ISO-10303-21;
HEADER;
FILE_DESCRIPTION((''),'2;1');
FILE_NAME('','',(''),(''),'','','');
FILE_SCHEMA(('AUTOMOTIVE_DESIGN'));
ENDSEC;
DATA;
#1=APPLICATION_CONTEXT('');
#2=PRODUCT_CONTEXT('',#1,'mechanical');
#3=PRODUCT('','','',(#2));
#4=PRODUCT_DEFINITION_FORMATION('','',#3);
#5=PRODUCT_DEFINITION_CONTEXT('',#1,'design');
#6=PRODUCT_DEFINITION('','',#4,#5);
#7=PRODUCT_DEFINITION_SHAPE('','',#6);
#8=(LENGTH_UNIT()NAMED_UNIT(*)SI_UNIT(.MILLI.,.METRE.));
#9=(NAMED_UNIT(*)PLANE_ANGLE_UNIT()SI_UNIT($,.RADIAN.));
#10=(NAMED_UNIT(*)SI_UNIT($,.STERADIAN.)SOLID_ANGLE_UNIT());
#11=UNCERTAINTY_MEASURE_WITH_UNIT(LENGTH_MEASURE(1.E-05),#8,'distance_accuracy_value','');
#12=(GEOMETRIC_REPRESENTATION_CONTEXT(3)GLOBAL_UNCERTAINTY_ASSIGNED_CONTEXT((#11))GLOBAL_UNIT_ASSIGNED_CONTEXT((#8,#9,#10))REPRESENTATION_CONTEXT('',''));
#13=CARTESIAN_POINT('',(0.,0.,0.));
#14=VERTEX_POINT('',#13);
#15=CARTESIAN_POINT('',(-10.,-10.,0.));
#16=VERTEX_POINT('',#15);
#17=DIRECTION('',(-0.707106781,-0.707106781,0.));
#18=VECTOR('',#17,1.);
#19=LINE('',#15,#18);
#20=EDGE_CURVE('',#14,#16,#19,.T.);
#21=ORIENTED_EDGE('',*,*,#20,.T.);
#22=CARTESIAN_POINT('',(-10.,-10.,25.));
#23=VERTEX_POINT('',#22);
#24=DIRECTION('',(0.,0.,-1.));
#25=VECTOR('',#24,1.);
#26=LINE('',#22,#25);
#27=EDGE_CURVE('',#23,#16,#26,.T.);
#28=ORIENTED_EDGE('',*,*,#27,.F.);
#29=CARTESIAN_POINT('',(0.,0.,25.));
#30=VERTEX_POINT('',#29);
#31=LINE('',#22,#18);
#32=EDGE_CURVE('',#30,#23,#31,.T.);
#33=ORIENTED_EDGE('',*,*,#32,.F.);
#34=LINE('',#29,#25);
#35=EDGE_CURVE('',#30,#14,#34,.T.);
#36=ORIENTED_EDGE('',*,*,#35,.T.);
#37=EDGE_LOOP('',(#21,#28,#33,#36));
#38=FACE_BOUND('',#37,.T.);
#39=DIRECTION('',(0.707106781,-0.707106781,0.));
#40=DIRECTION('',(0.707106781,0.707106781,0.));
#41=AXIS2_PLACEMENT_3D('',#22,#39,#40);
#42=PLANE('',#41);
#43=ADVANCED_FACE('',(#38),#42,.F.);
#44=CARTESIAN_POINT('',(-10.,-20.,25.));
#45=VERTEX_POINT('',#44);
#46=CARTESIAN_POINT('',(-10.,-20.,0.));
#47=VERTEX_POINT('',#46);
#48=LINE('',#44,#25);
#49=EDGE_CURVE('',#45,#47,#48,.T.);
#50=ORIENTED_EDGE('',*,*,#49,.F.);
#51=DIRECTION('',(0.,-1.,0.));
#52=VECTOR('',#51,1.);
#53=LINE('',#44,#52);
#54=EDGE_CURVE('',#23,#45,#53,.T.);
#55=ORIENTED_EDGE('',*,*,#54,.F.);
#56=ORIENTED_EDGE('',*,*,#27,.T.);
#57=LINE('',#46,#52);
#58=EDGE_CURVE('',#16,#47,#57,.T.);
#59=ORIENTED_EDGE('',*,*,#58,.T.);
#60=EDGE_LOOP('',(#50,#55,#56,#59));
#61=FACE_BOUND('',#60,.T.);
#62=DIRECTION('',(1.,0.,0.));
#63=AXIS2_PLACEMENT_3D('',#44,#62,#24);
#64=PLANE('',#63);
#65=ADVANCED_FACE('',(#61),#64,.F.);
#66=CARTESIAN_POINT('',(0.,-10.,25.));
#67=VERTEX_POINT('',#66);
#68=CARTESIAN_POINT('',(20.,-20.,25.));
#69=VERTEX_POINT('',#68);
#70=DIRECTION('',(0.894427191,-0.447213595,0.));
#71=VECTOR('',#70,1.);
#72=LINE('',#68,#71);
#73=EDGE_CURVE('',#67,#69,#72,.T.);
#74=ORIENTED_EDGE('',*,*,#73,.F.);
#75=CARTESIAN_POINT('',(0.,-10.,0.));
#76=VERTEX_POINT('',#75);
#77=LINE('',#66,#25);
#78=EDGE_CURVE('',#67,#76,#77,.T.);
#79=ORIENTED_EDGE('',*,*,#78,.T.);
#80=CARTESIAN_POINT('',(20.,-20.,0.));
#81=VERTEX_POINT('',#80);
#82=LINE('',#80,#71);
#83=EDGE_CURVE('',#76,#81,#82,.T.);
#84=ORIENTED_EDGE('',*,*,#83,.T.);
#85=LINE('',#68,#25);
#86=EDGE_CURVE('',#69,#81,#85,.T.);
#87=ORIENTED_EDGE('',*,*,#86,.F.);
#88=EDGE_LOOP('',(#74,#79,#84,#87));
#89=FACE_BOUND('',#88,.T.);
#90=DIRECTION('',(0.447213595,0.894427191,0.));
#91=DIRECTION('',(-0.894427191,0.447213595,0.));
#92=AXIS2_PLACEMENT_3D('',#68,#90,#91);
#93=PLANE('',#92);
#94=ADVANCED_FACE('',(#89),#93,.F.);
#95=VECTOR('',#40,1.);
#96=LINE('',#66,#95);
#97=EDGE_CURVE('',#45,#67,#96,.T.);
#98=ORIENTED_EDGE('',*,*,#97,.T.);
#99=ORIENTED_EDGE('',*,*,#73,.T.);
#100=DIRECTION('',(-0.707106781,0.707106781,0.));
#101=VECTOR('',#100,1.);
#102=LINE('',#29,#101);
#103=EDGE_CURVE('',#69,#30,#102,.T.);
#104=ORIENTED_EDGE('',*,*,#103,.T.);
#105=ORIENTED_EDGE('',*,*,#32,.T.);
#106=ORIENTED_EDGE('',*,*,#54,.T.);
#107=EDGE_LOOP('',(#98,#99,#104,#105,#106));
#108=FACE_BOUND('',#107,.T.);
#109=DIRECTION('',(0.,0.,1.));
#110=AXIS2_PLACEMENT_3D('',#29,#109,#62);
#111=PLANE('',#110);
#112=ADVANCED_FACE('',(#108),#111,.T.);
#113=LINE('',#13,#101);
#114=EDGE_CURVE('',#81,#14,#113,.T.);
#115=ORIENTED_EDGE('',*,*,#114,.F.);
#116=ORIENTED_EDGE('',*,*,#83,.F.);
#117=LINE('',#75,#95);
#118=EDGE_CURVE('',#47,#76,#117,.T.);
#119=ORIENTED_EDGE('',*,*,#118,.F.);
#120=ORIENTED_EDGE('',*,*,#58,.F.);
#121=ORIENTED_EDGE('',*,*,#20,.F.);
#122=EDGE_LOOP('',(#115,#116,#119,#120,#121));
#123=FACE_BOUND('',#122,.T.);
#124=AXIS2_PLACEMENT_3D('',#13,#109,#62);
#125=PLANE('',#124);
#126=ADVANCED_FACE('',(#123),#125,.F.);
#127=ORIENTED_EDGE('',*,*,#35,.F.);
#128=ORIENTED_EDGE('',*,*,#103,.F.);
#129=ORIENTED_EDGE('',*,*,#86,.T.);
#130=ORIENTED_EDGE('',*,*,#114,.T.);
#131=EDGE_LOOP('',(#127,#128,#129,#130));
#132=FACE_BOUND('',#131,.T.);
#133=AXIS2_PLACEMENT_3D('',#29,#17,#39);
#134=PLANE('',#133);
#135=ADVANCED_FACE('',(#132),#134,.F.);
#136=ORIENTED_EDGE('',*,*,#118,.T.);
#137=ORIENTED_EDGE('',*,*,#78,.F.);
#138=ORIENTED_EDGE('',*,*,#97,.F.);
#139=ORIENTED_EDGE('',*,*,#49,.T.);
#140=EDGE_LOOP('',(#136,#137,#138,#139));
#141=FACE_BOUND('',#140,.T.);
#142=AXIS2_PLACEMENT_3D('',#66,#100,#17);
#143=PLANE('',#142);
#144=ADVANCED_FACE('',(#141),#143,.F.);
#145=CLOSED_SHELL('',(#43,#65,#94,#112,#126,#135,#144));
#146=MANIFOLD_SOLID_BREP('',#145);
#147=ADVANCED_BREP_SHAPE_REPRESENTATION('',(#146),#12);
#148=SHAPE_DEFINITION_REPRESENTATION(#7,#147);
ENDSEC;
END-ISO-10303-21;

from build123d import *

# Parameters (mm, degrees)
BOSS_EXTRUDE3_DEPTH = 25


with BuildPart() as part:
    # Sketch1 → Boss-Extrude3 (new body)
    with BuildSketch(Plane.XY):
        Polygon((-10, -10), (0, 0), (20, -20), (0, -10), (-10, -20), align=None)
    extrude(amount=BOSS_EXTRUDE3_DEPTH)


solid = part.part
